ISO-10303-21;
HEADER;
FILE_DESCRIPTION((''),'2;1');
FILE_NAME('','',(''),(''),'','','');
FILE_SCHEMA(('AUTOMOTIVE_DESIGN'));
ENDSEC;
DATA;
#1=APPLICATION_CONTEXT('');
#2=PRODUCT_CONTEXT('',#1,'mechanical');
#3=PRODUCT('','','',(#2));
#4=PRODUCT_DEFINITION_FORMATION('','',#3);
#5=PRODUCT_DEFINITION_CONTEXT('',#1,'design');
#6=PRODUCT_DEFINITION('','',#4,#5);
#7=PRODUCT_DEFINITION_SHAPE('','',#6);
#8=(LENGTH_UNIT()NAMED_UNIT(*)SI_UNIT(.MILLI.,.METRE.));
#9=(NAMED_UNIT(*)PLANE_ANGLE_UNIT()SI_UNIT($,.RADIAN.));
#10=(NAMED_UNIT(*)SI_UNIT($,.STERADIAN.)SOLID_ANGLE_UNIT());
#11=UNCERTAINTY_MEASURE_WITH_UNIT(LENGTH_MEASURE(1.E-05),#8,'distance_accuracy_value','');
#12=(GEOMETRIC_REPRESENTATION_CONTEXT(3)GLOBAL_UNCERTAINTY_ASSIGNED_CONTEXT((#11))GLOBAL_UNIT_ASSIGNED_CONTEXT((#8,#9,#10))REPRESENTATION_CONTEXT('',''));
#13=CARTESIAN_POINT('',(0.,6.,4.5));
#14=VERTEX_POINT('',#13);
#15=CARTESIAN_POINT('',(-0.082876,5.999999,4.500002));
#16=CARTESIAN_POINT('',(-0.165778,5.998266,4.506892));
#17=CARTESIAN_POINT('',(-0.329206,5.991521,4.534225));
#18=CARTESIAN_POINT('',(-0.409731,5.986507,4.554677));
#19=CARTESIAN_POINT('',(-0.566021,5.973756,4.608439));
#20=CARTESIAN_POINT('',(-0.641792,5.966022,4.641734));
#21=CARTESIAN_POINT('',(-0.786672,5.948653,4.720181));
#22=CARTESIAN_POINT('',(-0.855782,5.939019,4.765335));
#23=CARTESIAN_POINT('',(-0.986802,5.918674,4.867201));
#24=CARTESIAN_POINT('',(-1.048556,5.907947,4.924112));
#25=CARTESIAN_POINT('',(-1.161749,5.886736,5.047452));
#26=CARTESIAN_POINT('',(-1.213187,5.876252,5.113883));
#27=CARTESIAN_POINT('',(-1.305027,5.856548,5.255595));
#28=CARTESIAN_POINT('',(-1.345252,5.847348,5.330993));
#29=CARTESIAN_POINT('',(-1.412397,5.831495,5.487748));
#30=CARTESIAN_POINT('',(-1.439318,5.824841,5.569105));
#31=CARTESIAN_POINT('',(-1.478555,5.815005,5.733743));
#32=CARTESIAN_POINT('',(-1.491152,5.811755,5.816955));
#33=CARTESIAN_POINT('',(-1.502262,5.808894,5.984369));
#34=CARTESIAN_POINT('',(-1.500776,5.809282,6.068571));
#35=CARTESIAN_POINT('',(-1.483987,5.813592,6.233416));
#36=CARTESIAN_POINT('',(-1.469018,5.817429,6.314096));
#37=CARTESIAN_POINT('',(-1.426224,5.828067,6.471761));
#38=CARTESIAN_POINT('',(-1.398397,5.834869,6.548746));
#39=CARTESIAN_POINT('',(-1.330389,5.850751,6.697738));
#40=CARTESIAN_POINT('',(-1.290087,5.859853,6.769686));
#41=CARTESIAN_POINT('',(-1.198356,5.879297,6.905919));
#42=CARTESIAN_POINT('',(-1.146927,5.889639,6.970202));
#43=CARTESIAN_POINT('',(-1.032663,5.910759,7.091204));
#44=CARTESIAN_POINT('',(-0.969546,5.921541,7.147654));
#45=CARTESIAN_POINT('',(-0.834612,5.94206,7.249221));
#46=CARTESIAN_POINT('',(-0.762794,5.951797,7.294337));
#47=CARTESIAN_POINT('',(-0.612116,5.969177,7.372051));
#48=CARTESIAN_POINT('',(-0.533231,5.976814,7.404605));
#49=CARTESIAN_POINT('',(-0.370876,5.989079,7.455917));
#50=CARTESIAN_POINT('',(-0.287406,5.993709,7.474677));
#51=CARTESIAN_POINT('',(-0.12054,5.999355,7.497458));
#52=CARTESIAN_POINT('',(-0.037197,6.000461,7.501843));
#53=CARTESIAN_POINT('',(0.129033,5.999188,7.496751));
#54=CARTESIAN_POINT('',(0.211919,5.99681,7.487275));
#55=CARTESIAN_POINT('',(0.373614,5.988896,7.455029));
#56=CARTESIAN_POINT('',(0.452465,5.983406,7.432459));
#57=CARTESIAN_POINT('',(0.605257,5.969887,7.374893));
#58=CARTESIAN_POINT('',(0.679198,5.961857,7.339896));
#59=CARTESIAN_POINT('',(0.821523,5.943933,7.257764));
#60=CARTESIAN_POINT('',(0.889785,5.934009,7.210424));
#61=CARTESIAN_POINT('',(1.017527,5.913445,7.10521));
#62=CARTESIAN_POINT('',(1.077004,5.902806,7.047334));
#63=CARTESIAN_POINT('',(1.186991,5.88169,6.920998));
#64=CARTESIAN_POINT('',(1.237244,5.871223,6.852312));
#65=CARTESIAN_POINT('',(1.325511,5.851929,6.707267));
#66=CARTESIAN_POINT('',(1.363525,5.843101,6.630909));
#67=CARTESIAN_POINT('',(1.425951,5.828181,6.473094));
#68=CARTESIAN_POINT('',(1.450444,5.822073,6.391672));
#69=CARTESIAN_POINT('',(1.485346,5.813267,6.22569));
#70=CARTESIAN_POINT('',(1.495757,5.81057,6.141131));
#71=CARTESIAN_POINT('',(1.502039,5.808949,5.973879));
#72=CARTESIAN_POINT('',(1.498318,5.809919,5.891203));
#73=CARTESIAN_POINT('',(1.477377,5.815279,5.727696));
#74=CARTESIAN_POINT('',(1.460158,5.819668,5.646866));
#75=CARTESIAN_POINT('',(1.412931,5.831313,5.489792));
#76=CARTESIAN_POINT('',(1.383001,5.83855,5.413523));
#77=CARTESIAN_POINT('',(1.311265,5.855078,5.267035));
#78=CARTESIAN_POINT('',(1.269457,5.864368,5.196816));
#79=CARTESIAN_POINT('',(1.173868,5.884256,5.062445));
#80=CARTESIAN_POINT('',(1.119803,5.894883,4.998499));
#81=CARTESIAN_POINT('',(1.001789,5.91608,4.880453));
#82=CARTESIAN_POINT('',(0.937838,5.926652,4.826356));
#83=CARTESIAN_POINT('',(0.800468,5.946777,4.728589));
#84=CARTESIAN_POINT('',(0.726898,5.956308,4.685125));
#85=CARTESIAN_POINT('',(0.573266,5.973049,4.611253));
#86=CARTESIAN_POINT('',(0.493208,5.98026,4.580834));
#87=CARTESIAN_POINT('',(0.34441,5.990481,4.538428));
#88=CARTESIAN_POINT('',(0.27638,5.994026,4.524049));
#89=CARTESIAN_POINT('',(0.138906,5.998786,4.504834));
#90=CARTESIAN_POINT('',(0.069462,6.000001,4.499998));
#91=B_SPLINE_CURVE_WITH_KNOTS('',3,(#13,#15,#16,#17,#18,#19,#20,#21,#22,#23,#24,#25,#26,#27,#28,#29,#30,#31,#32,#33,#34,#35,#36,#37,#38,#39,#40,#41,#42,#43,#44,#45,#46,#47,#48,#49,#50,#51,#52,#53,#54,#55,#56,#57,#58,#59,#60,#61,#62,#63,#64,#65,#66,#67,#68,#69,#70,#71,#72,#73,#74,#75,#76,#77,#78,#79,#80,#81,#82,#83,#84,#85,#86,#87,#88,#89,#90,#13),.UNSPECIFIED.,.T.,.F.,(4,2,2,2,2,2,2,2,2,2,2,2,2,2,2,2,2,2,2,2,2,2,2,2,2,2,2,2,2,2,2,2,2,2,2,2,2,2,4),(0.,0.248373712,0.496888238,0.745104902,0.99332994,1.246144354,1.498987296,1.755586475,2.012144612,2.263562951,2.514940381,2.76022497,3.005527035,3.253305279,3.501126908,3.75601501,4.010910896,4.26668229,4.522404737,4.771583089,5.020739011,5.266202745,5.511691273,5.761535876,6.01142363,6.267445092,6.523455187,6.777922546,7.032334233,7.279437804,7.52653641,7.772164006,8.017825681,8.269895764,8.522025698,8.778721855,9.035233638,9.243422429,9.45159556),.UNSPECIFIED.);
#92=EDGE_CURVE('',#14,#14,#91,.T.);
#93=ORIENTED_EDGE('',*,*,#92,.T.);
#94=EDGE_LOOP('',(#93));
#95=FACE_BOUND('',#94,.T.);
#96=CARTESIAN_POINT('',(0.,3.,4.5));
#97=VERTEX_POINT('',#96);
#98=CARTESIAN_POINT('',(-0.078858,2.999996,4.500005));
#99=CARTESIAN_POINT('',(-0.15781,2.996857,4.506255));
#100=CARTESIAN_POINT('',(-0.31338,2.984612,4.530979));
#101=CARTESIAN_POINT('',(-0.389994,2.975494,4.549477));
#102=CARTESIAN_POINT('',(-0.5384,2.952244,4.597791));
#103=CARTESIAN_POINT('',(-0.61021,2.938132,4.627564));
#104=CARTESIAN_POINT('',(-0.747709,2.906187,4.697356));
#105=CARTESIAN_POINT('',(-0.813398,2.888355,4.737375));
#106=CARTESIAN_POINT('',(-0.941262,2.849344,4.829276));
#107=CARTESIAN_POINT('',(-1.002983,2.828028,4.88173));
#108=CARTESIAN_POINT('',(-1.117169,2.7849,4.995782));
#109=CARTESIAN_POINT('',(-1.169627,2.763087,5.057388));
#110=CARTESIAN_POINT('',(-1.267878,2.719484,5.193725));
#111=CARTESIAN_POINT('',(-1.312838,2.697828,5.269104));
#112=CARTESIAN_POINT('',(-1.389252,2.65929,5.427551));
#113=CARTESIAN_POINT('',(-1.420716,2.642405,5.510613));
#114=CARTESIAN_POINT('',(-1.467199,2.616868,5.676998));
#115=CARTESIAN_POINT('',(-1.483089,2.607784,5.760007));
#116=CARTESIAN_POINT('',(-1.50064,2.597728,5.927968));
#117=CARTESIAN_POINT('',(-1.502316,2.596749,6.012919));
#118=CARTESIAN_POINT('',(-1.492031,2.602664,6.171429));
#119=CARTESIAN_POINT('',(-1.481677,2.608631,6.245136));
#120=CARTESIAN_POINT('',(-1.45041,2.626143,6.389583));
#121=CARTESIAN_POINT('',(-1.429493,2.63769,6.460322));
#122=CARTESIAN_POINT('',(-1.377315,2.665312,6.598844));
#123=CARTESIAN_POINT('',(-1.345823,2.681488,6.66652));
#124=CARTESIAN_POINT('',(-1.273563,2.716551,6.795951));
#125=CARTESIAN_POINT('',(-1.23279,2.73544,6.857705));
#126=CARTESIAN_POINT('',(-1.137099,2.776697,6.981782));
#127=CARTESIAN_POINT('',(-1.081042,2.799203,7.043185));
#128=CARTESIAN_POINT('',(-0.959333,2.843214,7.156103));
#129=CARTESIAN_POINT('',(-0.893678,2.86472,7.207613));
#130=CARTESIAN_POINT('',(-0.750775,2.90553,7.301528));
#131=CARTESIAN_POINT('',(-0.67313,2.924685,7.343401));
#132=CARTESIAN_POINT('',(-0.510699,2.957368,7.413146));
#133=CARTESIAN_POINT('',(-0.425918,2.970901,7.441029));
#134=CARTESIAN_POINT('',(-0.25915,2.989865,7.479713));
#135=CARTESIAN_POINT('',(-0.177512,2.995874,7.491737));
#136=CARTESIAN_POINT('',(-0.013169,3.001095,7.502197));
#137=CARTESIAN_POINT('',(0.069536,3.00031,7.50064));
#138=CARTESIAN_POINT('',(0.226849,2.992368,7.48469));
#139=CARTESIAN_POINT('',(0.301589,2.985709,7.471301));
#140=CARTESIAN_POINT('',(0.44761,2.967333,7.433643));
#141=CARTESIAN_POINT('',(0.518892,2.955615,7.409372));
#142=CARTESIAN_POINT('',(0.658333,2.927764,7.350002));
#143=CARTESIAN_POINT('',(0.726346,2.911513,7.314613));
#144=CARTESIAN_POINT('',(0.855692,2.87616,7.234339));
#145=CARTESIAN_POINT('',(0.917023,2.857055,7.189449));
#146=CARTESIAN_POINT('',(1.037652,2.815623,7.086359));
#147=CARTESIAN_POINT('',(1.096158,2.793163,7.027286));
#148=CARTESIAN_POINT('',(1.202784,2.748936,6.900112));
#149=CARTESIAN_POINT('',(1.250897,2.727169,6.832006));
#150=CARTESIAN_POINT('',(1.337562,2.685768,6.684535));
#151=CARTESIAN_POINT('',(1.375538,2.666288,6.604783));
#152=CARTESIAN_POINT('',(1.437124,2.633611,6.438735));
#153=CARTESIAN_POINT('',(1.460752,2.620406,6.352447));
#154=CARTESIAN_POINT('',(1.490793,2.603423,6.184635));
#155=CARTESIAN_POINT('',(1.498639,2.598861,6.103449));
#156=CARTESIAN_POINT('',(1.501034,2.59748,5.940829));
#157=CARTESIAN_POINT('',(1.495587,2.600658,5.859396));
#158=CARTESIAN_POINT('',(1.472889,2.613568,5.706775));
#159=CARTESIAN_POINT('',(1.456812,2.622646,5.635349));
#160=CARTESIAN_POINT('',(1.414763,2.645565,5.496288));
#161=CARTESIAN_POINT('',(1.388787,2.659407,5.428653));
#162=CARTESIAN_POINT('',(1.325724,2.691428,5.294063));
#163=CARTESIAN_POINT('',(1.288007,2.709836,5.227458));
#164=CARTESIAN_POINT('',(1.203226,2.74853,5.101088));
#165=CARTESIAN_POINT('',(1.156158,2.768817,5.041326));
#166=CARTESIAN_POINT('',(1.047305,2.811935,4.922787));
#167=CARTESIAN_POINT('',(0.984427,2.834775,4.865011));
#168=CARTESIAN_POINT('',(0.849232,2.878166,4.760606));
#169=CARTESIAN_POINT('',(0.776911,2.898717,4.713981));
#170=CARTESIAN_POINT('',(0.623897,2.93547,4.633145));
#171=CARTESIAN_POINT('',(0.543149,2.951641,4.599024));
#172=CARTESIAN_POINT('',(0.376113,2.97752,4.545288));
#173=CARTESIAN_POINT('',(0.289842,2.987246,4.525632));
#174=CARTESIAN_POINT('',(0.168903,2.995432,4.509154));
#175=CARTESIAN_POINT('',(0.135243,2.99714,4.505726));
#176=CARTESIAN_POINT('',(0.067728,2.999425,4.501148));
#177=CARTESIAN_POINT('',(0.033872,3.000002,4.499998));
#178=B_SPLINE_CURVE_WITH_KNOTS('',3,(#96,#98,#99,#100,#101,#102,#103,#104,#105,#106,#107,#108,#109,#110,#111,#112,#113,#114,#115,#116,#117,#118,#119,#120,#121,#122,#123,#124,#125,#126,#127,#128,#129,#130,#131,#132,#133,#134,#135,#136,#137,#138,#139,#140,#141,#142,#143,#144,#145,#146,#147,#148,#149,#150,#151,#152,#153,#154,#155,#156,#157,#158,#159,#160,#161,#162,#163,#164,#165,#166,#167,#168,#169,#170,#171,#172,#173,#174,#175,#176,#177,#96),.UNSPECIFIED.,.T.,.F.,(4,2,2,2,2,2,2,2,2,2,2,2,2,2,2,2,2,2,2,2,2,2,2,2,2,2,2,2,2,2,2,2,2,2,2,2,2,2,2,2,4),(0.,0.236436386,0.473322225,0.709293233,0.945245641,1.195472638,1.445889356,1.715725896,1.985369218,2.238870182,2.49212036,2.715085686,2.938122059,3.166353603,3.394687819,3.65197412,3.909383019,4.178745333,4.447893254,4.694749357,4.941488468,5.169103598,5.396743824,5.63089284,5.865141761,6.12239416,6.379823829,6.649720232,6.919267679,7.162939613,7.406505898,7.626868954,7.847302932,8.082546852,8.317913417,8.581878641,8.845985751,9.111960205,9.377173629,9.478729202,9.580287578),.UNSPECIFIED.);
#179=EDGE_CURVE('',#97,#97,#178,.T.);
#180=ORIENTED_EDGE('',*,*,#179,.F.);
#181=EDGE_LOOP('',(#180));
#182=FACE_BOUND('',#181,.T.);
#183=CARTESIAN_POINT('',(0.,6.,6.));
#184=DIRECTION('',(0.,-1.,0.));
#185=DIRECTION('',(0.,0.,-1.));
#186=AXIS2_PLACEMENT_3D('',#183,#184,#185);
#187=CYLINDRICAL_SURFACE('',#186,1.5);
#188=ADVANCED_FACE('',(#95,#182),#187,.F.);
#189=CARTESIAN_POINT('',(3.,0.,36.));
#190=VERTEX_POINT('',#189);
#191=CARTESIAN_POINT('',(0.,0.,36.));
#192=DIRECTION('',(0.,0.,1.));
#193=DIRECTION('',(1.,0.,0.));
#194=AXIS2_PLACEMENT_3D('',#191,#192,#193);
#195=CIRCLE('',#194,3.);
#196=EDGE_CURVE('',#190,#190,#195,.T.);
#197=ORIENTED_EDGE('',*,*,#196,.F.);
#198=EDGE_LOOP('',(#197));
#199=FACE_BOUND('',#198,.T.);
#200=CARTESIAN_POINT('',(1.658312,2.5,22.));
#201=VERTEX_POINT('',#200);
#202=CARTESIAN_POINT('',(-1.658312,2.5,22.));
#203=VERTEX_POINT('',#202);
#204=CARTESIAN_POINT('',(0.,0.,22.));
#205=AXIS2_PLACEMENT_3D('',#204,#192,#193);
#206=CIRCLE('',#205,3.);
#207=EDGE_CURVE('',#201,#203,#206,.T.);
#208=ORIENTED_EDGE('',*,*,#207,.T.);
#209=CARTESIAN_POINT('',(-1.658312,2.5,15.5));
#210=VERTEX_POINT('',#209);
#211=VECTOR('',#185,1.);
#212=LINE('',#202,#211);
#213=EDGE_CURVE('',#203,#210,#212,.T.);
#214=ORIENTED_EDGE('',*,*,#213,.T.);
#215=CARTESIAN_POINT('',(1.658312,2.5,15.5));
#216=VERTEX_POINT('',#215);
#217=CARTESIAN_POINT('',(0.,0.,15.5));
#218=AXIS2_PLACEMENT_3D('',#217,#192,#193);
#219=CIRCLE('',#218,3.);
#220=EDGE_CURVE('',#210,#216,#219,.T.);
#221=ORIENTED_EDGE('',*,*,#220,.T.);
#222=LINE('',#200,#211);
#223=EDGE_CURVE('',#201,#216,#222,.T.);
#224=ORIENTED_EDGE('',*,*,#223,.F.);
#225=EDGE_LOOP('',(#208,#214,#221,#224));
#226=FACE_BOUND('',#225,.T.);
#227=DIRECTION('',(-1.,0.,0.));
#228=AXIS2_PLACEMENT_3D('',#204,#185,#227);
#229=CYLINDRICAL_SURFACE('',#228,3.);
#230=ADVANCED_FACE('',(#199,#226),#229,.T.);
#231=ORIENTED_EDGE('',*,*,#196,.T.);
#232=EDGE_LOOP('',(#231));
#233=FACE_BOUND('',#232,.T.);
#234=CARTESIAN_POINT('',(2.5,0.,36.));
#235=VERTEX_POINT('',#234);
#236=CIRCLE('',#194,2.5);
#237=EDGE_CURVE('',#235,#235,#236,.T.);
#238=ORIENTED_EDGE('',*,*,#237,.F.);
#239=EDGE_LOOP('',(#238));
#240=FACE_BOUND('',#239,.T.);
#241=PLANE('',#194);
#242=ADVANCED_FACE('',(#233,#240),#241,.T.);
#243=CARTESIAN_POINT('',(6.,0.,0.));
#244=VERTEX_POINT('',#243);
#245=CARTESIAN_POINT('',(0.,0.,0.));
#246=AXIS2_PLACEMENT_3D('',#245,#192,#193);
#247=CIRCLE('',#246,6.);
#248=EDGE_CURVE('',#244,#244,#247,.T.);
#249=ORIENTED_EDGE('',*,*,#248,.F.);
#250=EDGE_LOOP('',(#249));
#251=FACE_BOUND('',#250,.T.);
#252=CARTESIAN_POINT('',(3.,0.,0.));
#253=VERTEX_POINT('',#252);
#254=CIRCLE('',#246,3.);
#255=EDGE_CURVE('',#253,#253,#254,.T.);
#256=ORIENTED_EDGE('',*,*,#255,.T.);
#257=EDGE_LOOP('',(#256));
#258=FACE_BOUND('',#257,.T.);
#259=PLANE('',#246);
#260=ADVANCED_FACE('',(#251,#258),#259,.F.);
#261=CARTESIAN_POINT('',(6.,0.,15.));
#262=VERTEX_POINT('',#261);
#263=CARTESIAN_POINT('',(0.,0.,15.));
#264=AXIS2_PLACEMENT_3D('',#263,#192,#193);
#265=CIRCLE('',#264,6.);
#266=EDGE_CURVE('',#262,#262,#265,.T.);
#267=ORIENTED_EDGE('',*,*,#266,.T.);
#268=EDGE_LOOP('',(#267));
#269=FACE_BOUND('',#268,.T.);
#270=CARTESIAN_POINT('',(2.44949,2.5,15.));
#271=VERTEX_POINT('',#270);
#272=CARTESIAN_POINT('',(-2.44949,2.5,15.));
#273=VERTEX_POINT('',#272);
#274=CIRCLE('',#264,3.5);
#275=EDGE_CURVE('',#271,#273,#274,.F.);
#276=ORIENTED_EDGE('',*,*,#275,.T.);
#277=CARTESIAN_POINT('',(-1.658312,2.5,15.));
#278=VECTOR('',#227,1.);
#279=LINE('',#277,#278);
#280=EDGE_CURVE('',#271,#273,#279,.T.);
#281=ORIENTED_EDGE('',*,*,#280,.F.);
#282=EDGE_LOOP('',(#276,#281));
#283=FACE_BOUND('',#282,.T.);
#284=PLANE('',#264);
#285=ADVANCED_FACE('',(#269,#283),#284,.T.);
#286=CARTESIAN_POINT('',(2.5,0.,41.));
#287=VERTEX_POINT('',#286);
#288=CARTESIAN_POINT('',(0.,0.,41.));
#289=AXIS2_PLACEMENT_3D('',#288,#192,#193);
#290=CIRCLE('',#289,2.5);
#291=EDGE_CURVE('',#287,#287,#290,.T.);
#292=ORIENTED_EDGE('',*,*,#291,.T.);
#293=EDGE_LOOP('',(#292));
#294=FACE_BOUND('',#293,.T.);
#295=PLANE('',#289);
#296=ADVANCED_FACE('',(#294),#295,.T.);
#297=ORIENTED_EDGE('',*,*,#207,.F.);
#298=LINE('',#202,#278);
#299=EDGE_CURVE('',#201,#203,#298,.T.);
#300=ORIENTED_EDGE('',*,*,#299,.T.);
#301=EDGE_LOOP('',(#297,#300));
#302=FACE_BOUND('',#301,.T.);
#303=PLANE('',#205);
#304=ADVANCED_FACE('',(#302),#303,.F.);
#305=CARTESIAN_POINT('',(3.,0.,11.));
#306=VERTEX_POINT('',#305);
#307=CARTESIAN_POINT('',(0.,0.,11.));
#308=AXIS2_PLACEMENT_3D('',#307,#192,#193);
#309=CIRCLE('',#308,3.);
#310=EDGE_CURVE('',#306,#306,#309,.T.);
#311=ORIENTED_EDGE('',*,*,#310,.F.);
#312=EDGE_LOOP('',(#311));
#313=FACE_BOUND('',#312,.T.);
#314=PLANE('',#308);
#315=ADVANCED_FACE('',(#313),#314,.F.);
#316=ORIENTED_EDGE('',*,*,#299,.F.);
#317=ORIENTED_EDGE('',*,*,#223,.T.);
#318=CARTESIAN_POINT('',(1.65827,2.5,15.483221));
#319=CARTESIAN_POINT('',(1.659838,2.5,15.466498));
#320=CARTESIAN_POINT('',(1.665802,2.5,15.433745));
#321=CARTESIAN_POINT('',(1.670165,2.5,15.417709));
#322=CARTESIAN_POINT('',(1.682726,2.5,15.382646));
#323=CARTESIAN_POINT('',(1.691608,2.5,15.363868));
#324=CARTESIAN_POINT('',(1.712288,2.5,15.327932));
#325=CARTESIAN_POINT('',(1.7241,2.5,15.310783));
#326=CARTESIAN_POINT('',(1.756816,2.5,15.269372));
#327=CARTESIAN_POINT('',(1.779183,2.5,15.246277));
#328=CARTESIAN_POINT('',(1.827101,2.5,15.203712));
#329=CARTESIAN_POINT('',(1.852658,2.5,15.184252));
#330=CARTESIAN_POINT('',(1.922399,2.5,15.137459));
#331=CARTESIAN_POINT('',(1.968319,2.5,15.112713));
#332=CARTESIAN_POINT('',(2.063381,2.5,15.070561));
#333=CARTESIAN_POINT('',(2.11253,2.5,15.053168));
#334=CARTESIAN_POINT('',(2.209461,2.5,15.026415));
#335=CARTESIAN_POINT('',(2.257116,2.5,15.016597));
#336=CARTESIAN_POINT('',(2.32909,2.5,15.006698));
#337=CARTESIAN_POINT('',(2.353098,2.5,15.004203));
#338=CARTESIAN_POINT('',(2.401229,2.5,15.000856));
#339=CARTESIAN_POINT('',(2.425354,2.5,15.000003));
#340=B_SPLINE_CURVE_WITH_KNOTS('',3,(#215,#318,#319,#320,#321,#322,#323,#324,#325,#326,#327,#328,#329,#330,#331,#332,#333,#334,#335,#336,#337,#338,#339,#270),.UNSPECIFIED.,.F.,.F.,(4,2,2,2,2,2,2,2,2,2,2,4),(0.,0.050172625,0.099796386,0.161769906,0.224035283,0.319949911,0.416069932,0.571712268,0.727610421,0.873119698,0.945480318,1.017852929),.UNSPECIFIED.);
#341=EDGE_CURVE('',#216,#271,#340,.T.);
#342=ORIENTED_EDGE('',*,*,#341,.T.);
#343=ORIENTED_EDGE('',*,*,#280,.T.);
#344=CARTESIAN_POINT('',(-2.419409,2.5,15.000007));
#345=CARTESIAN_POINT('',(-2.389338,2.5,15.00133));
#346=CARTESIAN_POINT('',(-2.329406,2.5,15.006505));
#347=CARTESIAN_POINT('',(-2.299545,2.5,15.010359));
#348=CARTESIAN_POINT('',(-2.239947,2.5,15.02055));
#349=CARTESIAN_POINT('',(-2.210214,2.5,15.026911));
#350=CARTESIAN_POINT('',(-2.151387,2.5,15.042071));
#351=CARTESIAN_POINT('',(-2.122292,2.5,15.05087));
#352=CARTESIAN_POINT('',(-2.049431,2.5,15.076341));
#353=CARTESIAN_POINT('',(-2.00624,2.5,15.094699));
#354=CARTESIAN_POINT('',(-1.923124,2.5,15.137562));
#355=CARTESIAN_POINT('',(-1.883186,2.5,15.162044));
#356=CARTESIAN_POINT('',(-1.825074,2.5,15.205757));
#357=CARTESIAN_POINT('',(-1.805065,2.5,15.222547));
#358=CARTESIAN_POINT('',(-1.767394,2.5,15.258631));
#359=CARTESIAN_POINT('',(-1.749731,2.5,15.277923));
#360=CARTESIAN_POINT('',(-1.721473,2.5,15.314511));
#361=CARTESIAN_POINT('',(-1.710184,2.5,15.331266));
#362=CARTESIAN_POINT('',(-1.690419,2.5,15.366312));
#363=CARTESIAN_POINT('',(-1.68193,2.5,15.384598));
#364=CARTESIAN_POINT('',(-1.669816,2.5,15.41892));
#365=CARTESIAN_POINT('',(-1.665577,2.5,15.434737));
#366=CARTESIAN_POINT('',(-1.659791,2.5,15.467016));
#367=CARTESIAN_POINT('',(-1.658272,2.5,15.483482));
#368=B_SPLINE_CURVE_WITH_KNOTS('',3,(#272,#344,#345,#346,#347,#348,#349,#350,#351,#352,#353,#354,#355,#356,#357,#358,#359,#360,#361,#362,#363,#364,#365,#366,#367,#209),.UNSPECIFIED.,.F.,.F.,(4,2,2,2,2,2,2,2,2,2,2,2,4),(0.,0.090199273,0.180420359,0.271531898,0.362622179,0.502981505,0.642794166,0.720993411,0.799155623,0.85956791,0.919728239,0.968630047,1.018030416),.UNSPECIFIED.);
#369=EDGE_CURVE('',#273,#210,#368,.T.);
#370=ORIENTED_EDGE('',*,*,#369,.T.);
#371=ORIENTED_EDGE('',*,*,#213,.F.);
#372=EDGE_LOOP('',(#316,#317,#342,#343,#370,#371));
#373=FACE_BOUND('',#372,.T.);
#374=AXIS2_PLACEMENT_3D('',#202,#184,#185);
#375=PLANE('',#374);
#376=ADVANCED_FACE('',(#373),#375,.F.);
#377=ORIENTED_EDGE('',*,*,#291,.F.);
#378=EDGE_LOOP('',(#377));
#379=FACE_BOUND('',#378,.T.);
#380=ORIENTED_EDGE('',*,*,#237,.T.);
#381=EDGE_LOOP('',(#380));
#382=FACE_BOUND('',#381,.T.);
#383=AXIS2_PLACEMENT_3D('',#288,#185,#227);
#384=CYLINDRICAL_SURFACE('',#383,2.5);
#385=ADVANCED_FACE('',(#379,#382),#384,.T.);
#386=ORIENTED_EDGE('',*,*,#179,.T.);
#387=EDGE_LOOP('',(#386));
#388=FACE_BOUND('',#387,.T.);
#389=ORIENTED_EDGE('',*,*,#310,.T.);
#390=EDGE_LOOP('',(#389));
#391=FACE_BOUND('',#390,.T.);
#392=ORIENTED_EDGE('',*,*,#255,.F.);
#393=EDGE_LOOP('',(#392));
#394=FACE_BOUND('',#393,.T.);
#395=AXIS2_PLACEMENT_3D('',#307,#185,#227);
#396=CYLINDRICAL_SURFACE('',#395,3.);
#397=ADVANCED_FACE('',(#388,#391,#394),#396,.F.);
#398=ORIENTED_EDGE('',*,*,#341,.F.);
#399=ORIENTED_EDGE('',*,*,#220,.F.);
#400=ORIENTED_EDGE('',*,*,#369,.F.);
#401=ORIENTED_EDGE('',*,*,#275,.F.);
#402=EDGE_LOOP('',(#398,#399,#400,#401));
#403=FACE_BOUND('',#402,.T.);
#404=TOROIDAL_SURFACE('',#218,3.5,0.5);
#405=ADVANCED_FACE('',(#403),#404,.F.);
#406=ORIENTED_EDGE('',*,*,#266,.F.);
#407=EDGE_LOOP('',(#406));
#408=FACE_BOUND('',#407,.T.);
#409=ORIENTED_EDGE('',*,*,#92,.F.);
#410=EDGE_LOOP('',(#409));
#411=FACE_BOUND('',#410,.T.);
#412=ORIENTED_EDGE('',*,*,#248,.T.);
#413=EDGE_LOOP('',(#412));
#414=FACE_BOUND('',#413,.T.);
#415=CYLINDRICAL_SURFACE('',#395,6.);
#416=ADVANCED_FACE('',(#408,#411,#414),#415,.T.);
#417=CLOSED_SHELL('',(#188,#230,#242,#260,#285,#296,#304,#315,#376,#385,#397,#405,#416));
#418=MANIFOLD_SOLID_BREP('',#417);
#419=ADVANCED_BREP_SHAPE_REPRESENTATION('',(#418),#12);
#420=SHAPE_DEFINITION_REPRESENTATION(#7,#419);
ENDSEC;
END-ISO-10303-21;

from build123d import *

# Parameters (mm, degrees)
SKETCH1_R           = 6
SKETCH1_R_2         = 3
BOSS_EXTRUDE1_DEPTH = 11
SKETCH2_R           = 1.5
CUT_EXTRUDE1_DEPTH  = 14.892443989
SKETCH3_R           = 6
BOSS_EXTRUDE2_DEPTH = 4
BOSS_EXTRUDE3_DEPTH = 7
SKETCH5_R           = 3
BOSS_EXTRUDE6_DEPTH = 14
SKETCH7_R           = 2.5
BOSS_EXTRUDE7_DEPTH = 5
FILLET1_R           = 0.5


with BuildPart() as part:
    # Sketch1 → Boss-Extrude1 (new body)
    with BuildSketch(Plane.XY):
        Circle(SKETCH1_R)
        Circle(SKETCH1_R_2, mode=Mode.SUBTRACT)
    extrude(amount=BOSS_EXTRUDE1_DEPTH)

    # Sketch2 → Cut-Extrude1 (cut, through all)
    with BuildSketch(Plane(origin=(0, 0, 0), x_dir=(1, 0, 0), z_dir=(0, 1, 0))):
        with Locations(Location((0, -6, 0), (0, 0, 90))):
            Circle(SKETCH2_R)
    extrude(amount=CUT_EXTRUDE1_DEPTH, mode=Mode.SUBTRACT)

    # Sketch3 → Boss-Extrude2 (add)
    with BuildSketch(Plane.XY.offset(11)):
        Circle(SKETCH3_R)
    extrude(amount=BOSS_EXTRUDE2_DEPTH)

    # Sketch4 → Boss-Extrude3 (add)
    with BuildSketch(Plane.XY.offset(15)):
        with BuildLine():
            Line((-1.658312395, 2.5), (1.658312395, 2.5))
            ThreePointArc((1.658312395, 2.5), (0, -3), (-1.658312395, 2.5))
        make_face()
    extrude(amount=BOSS_EXTRUDE3_DEPTH)

    # Sketch5 → Boss-Extrude6 (add)
    with BuildSketch(Plane.XY.offset(22)):
        Circle(SKETCH5_R)
    extrude(amount=BOSS_EXTRUDE6_DEPTH)

    # Sketch7 → Boss-Extrude7 (add)
    with BuildSketch(Plane.XY.offset(36)):
        Circle(SKETCH7_R)
    extrude(amount=BOSS_EXTRUDE7_DEPTH)

    # Fillet1
    fillet1_edges = [part.edges().sort_by_distance(p)[0] for p in [
        (0, -3, 15),
    ]]
    fillet(fillet1_edges, radius=FILLET1_R)


solid = part.part
